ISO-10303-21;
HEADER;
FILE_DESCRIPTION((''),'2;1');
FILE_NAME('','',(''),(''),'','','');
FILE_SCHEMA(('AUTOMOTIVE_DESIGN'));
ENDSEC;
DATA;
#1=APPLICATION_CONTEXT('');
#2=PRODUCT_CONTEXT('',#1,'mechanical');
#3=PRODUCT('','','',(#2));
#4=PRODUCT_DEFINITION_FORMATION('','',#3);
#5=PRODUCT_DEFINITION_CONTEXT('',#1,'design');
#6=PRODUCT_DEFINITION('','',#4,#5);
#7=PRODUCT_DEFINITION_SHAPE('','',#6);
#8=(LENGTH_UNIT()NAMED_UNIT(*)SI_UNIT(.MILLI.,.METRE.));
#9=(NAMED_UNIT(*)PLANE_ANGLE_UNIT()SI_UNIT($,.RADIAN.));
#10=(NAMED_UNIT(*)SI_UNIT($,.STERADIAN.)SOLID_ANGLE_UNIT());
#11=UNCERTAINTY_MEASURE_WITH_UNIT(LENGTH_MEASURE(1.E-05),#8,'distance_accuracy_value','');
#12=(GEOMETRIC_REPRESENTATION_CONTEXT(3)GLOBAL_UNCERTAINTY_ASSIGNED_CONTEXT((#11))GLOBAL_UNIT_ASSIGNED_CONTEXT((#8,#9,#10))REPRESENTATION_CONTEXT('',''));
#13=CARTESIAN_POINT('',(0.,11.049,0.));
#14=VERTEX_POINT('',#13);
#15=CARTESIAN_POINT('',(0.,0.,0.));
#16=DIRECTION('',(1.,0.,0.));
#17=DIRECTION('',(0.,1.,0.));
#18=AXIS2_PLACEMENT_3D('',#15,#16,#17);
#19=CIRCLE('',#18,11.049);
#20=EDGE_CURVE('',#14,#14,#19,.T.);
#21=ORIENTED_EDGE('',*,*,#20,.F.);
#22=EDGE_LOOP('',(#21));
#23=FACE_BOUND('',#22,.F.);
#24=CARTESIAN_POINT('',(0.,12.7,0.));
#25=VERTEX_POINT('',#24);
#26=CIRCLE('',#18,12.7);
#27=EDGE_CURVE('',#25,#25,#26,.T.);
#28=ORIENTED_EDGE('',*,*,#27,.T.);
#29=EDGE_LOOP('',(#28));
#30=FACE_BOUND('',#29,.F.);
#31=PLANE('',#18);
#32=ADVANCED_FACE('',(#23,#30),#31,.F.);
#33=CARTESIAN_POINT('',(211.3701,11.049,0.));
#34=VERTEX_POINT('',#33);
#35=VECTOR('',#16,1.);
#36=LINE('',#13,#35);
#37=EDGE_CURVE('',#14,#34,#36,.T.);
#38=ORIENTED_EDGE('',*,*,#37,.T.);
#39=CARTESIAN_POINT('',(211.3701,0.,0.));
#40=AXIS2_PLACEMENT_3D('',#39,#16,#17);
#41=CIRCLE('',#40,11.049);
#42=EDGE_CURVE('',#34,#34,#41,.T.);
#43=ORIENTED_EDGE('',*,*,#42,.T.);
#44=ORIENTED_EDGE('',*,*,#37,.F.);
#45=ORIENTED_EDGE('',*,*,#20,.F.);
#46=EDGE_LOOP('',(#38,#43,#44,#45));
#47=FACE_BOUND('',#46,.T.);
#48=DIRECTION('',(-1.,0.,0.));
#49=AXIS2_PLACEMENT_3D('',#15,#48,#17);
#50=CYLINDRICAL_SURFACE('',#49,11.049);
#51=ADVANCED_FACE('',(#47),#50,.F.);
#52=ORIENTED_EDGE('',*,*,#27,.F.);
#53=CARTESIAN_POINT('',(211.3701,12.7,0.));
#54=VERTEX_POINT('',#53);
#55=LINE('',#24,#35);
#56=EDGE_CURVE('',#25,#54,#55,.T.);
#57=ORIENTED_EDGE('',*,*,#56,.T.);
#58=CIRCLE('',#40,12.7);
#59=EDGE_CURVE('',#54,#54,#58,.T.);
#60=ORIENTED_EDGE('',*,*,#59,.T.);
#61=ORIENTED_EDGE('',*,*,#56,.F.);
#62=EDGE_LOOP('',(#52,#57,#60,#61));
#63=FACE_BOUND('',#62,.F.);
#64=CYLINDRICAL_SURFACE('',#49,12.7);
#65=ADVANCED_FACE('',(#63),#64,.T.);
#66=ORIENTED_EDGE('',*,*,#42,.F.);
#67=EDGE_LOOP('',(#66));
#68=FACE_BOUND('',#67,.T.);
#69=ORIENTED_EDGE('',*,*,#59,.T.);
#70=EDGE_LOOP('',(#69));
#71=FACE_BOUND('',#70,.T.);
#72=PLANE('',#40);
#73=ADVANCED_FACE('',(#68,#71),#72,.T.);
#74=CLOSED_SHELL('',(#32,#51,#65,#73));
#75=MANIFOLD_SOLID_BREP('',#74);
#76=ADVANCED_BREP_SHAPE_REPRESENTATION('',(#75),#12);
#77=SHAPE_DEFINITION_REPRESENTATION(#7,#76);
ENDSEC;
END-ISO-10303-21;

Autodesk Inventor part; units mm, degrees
ref_plane "XZ Plane" through (0, 0, 0) normal (0, 1, 0) x (-1, 0, 0)
ref_plane "Start Plane" through (0, 0, 0) normal (1, 0, 0) x (0, 1, 0)
ref_plane "End Plane" through (211.3701, 0, 0) normal (1, 0, 0) x (0, 1, 0)
sketch "Sketch" plane through (0, 0, 0) normal (1, 0, 0) x (0, 1, 0)
  circle A0 centre (0, 0) radius 12.7
  circle A1 centre (0, 0) radius 11.049
  dimension "d0" = 25.4
  dimension "d1" = 1.651
extrude "Body" add sketch "Sketch" along normal up to surface (211.3701 mm away) from surface at 0
sketch "Sketch2" plane through (0, 0, 0) normal (1, 0, 0) x (0, 1, 0)
  line L0 (0, 0) -> (10, 0)
ref_plane "Work Plane3" through (0, 0, 0) normal (0, 0, -1) x (0, 1, 0)
sketch "Sketch3" plane through (0, 0, 0) normal (0, 0, -1) x (0, 1, 0)
  line L0 (-2, 0) -> (12, 0)
  line L1 (-2, 211.3701) -> (12, 211.3701)
  dimension "d9" = 211.3701
equation "\"G_OFFSET_START\" = 0"
equation "\"G_OFFSET_END\" = 0"
equation "\"d5\" = d2 + G_OFFSET_END"
equation "\"G_L\" = d9"
equation "\"d2\" = 211.370126"
properties part number "4130_1x0.065" material "Steel, Alloy"
